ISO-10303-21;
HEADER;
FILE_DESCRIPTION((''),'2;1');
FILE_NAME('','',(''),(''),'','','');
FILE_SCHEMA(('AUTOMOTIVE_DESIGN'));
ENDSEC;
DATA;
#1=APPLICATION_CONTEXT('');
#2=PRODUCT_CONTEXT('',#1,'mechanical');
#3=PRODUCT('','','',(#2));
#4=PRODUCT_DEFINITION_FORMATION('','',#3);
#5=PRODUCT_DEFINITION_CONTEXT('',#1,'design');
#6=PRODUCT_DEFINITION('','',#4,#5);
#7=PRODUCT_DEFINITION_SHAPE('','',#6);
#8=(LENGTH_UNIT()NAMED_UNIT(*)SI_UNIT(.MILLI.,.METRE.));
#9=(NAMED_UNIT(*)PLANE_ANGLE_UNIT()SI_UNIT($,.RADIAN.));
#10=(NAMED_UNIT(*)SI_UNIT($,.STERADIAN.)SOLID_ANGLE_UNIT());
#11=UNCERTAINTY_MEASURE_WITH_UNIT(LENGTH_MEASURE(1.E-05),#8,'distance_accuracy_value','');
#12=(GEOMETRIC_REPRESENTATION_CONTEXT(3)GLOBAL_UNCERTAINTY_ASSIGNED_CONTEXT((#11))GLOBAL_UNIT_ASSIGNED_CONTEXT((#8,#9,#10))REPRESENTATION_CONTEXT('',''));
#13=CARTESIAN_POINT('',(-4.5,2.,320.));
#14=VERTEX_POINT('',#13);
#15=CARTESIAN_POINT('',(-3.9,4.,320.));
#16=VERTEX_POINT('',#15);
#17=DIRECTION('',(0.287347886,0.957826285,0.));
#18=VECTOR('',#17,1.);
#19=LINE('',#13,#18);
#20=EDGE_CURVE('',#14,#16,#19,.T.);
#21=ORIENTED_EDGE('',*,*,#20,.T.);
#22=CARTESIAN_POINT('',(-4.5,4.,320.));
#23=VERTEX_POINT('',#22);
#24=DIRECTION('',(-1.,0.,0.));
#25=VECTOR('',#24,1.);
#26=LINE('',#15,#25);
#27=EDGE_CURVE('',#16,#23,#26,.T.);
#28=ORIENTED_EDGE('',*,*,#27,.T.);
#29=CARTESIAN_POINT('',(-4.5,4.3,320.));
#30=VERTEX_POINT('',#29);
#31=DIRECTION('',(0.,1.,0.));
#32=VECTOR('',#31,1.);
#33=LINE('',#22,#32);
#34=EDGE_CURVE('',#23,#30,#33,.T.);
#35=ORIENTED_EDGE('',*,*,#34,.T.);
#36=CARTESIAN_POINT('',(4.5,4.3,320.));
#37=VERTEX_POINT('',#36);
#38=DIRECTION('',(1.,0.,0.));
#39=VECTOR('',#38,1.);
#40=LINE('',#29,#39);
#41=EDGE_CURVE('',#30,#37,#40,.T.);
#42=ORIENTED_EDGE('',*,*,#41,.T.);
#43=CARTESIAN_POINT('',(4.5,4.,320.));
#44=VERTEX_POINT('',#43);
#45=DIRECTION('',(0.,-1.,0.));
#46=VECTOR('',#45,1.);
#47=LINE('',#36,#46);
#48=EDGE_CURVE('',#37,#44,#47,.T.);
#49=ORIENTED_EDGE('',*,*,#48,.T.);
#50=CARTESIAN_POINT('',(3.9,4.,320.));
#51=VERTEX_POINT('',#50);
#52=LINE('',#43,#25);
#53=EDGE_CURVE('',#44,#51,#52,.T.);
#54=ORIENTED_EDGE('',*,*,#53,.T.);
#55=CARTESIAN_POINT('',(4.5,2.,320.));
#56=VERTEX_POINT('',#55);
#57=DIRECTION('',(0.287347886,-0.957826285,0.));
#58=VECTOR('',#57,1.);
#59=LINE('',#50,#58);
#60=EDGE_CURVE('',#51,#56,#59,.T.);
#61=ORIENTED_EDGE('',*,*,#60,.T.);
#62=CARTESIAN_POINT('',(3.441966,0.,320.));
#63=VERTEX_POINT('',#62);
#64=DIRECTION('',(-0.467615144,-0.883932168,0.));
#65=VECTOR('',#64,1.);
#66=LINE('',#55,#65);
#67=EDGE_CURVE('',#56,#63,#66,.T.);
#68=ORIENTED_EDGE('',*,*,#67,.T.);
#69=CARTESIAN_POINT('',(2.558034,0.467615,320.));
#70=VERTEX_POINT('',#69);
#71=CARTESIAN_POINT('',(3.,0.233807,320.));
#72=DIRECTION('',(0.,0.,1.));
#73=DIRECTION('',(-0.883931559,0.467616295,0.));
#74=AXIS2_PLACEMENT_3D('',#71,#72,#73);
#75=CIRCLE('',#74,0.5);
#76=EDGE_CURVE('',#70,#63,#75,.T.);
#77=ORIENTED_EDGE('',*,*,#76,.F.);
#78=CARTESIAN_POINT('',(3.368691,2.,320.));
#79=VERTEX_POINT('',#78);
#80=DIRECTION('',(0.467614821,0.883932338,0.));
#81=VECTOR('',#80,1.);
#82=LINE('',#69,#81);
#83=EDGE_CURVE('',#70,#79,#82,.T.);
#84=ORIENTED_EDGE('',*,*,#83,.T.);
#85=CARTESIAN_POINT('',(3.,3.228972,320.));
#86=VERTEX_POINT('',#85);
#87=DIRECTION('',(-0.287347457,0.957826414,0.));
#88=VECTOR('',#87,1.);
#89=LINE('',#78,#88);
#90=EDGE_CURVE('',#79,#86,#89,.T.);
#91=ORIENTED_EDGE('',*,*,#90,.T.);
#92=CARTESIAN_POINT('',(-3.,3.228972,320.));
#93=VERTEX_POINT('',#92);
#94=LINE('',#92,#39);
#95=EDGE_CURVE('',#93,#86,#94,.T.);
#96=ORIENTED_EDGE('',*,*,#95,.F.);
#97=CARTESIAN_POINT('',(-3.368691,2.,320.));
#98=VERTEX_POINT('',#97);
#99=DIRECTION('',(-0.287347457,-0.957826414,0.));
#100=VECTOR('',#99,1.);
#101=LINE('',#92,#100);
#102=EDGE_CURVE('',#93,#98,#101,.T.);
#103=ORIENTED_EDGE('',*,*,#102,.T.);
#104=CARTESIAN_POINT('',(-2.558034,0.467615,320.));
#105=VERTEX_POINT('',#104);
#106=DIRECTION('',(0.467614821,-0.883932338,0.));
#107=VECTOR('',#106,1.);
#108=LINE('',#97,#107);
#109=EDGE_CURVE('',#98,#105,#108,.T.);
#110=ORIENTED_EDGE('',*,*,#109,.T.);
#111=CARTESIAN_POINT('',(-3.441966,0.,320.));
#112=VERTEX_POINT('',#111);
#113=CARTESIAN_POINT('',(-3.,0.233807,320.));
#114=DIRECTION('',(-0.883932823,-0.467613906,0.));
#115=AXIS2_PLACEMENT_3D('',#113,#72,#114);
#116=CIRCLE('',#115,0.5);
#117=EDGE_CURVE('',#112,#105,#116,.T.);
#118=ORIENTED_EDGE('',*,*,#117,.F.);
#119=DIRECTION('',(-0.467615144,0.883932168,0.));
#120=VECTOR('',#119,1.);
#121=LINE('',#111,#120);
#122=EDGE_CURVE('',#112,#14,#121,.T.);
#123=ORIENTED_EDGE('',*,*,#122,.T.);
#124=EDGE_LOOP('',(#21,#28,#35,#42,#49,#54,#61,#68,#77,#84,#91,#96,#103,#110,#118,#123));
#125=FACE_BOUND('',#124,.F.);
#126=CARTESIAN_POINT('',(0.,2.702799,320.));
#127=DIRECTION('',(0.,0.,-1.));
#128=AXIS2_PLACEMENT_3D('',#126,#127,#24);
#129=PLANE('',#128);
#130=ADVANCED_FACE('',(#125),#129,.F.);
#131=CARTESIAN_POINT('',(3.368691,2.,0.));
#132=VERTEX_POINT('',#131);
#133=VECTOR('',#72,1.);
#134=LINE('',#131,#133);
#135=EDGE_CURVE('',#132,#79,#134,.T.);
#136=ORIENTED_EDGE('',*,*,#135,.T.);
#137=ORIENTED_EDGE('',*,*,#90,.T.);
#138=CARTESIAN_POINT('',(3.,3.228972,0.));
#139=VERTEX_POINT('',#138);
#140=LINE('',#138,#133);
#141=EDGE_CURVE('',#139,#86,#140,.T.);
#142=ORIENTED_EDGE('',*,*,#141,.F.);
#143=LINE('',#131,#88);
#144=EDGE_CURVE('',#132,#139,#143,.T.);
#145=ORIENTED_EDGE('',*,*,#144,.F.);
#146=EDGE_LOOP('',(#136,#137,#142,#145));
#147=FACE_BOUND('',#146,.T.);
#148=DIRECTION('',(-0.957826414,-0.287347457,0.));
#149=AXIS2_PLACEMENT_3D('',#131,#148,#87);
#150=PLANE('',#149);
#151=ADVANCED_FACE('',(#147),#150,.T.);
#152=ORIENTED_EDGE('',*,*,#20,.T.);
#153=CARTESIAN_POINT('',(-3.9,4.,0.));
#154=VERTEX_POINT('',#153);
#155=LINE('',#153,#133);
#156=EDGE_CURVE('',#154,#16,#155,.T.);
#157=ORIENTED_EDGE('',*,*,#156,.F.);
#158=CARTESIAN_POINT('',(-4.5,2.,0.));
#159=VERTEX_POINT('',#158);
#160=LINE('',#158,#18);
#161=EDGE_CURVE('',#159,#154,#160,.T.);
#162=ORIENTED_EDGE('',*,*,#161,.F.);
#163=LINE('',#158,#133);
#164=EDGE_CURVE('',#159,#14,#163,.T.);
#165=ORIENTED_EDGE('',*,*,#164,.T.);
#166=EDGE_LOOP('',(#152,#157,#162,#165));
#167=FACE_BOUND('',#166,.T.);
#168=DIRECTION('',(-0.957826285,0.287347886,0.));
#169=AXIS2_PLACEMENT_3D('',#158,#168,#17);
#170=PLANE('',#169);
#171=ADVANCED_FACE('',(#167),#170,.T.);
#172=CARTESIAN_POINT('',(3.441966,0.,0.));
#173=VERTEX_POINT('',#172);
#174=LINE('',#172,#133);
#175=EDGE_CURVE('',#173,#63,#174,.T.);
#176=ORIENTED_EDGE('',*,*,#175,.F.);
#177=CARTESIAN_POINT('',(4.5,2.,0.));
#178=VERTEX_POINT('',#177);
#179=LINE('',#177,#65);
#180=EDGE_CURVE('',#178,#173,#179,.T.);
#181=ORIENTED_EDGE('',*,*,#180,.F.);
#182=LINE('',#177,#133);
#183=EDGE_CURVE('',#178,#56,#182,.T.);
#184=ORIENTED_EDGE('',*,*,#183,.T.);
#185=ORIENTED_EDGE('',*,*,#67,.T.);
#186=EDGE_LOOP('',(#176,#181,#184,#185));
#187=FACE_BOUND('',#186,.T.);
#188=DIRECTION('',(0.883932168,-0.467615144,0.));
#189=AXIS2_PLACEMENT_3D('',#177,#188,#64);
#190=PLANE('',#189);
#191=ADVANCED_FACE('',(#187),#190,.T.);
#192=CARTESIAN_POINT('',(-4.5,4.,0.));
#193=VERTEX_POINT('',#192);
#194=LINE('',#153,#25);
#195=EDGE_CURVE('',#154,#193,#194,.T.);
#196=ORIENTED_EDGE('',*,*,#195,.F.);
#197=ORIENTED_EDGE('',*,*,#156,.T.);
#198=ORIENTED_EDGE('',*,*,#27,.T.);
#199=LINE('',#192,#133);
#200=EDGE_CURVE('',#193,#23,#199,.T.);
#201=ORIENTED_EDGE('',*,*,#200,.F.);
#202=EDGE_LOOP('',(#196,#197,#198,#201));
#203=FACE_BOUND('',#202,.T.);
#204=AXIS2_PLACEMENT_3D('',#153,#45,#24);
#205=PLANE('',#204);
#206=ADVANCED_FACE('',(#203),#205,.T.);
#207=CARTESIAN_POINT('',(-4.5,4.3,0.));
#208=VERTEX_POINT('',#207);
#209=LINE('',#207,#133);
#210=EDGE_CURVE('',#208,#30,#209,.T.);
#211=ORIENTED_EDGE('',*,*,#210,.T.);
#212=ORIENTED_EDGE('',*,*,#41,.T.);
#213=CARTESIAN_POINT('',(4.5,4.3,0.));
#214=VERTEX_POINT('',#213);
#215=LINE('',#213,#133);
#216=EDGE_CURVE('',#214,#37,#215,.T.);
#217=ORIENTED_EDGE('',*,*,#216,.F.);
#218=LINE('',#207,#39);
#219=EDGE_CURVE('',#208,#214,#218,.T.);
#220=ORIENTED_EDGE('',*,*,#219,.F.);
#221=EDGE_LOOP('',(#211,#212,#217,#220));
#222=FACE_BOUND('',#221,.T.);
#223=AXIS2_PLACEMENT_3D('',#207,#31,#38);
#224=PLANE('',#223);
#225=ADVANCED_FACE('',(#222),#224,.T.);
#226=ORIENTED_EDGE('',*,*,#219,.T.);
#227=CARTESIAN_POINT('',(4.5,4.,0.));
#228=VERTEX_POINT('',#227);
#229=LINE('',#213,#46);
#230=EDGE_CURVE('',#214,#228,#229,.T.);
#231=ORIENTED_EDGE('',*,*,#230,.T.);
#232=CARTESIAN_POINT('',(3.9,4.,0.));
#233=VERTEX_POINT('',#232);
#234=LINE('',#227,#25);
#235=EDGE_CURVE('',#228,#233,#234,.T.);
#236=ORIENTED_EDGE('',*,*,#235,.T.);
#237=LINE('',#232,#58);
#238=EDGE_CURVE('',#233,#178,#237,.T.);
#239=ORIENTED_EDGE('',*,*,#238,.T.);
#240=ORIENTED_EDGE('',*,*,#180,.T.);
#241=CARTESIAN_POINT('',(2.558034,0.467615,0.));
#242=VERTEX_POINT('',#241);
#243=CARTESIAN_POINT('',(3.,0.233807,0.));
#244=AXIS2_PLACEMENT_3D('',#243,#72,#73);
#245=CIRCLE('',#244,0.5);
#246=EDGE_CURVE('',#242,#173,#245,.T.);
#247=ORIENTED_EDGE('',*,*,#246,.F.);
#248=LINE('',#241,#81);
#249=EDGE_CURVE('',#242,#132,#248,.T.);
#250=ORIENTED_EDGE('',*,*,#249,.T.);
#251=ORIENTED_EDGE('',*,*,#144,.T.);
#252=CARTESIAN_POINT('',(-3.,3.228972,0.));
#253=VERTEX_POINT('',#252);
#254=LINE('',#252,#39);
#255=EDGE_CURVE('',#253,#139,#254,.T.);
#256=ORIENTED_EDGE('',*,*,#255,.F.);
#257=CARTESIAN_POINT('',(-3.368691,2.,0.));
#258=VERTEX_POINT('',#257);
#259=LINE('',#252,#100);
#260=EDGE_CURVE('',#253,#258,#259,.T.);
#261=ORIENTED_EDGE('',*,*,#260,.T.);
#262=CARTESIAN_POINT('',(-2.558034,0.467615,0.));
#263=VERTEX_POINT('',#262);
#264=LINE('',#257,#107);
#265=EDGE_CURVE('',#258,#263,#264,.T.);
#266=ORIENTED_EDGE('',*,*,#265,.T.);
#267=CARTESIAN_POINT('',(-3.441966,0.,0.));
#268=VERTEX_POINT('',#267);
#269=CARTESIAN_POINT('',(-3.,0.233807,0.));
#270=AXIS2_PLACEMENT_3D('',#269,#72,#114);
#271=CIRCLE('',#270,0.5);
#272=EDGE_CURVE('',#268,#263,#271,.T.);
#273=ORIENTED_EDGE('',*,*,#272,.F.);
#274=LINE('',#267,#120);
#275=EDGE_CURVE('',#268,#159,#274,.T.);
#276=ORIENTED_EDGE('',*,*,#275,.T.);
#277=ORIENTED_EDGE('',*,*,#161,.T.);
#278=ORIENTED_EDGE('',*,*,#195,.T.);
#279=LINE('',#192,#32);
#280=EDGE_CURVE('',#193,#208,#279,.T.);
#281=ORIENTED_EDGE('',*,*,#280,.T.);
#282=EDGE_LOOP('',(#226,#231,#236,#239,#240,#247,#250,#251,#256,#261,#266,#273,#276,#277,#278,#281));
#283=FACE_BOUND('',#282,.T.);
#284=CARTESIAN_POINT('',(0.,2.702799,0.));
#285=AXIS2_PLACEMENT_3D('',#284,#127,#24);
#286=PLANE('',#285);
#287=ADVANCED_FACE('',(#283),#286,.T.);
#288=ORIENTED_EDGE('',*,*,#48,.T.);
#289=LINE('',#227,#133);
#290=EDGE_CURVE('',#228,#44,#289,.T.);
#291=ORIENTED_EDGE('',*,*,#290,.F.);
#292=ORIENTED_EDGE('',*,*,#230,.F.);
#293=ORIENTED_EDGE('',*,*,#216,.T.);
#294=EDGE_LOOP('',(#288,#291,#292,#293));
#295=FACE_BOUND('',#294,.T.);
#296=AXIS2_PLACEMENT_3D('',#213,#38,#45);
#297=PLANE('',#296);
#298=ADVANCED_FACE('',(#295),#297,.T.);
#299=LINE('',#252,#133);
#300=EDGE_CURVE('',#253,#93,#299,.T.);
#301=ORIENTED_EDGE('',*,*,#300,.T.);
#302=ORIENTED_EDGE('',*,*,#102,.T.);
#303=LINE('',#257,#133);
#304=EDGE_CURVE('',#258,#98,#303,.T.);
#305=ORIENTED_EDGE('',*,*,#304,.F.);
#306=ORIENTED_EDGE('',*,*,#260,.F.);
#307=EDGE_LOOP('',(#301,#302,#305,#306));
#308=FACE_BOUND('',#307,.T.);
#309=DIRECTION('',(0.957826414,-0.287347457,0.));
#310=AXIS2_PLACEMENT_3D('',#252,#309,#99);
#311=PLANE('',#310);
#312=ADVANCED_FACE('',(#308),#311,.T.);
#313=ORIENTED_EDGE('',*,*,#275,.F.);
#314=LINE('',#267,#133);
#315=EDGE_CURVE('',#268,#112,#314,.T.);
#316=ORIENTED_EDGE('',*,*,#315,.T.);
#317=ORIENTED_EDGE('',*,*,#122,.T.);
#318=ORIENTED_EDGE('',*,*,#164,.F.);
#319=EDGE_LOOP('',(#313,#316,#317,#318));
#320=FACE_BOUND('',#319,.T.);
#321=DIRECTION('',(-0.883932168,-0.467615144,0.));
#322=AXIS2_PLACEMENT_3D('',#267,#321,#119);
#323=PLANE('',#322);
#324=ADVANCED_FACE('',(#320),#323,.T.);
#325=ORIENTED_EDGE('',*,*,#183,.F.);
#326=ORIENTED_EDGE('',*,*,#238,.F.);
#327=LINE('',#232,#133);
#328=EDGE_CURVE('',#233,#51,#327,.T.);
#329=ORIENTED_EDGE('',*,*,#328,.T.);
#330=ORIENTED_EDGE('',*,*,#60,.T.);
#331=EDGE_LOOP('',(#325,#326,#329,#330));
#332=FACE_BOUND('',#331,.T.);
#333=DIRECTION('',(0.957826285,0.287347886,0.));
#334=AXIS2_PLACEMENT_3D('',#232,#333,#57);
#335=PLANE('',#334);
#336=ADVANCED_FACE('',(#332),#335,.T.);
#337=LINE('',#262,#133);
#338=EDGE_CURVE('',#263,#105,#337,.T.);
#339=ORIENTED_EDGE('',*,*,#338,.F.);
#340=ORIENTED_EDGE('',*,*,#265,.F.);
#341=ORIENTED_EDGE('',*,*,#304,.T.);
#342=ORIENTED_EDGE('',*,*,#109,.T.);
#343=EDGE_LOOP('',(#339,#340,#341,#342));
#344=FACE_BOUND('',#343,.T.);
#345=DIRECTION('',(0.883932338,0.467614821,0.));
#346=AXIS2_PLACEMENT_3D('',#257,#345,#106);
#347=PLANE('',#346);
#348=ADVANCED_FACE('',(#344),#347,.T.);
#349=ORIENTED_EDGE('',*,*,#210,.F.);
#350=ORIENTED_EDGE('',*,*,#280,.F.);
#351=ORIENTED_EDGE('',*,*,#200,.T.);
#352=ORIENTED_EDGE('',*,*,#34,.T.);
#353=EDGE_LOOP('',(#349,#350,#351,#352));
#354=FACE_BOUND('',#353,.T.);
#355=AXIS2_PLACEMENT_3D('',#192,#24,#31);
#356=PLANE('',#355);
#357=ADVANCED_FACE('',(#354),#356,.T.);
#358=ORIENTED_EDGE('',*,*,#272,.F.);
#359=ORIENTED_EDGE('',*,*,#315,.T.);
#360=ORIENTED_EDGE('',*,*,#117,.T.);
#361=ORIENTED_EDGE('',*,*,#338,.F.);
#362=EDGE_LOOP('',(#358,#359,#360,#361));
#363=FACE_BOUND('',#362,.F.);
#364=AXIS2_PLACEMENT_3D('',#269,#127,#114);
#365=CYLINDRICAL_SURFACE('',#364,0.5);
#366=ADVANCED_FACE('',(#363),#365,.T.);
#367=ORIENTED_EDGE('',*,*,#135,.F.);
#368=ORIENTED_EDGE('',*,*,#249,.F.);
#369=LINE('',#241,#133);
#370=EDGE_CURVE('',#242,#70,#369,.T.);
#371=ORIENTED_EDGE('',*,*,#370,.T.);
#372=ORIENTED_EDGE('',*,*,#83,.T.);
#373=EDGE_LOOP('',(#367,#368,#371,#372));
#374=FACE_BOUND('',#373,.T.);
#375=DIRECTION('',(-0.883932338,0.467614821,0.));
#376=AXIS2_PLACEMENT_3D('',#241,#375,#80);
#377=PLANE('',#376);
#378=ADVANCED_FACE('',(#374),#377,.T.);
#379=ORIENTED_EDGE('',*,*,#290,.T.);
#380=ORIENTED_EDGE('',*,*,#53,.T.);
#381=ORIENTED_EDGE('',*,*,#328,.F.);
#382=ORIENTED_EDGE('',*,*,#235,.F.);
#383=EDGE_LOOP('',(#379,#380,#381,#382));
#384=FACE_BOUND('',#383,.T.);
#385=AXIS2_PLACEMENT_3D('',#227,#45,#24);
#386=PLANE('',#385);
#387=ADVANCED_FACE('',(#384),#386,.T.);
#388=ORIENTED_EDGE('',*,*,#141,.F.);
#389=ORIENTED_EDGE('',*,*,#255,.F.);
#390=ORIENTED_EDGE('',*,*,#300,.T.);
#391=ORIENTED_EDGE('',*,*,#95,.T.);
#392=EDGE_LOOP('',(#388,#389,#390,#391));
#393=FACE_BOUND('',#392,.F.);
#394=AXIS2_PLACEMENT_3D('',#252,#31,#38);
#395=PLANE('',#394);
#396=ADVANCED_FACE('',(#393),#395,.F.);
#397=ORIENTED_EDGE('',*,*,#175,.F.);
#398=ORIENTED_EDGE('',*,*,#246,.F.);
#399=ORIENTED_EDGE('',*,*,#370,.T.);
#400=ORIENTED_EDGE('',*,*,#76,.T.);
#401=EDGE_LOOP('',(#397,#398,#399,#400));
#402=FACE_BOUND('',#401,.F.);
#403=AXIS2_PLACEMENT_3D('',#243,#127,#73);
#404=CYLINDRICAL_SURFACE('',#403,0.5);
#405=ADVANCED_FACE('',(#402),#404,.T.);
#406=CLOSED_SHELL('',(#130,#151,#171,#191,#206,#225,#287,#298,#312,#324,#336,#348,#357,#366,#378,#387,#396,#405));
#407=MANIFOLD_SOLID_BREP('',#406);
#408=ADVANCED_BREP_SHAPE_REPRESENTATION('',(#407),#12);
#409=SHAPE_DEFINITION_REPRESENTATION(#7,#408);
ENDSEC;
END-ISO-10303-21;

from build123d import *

# Parameters (mm, degrees)
PAD_DEPTH = 320


with BuildPart() as part:
    # Sketch → Pad (new body)
    with BuildSketch(Plane.XY):
        with BuildLine():
            Line((-4.5, 4.3), (4.5, 4.3))
            Line((4.5, 4.3), (4.5, 4))
            Line((4.5, 4), (3.9, 4))
            Line((3.9, 4), (4.5, 2))
            Line((4.5, 2), (3.441966, 0))
            ThreePointArc((2.558034, 0.467615), (2.766192, -0.208159), (3.441966, 0))
            Line((2.558034, 0.467615), (3.368691, 2))
            Line((3.368691, 2), (3, 3.228972))
            Line((-3, 3.228972), (3, 3.228972))
            Line((-3, 3.228972), (-3.368691, 2))
            Line((-3.368691, 2), (-2.558034, 0.467615))
            ThreePointArc((-3.441966, 0), (-2.766192, -0.208159), (-2.558034, 0.467615))
            Line((-3.441966, 0), (-4.5, 2))
            Line((-4.5, 2), (-3.9, 4))
            Line((-3.9, 4), (-4.5, 4))
            Line((-4.5, 4), (-4.5, 4.3))
        make_face()
    extrude(amount=PAD_DEPTH)


solid = part.part
